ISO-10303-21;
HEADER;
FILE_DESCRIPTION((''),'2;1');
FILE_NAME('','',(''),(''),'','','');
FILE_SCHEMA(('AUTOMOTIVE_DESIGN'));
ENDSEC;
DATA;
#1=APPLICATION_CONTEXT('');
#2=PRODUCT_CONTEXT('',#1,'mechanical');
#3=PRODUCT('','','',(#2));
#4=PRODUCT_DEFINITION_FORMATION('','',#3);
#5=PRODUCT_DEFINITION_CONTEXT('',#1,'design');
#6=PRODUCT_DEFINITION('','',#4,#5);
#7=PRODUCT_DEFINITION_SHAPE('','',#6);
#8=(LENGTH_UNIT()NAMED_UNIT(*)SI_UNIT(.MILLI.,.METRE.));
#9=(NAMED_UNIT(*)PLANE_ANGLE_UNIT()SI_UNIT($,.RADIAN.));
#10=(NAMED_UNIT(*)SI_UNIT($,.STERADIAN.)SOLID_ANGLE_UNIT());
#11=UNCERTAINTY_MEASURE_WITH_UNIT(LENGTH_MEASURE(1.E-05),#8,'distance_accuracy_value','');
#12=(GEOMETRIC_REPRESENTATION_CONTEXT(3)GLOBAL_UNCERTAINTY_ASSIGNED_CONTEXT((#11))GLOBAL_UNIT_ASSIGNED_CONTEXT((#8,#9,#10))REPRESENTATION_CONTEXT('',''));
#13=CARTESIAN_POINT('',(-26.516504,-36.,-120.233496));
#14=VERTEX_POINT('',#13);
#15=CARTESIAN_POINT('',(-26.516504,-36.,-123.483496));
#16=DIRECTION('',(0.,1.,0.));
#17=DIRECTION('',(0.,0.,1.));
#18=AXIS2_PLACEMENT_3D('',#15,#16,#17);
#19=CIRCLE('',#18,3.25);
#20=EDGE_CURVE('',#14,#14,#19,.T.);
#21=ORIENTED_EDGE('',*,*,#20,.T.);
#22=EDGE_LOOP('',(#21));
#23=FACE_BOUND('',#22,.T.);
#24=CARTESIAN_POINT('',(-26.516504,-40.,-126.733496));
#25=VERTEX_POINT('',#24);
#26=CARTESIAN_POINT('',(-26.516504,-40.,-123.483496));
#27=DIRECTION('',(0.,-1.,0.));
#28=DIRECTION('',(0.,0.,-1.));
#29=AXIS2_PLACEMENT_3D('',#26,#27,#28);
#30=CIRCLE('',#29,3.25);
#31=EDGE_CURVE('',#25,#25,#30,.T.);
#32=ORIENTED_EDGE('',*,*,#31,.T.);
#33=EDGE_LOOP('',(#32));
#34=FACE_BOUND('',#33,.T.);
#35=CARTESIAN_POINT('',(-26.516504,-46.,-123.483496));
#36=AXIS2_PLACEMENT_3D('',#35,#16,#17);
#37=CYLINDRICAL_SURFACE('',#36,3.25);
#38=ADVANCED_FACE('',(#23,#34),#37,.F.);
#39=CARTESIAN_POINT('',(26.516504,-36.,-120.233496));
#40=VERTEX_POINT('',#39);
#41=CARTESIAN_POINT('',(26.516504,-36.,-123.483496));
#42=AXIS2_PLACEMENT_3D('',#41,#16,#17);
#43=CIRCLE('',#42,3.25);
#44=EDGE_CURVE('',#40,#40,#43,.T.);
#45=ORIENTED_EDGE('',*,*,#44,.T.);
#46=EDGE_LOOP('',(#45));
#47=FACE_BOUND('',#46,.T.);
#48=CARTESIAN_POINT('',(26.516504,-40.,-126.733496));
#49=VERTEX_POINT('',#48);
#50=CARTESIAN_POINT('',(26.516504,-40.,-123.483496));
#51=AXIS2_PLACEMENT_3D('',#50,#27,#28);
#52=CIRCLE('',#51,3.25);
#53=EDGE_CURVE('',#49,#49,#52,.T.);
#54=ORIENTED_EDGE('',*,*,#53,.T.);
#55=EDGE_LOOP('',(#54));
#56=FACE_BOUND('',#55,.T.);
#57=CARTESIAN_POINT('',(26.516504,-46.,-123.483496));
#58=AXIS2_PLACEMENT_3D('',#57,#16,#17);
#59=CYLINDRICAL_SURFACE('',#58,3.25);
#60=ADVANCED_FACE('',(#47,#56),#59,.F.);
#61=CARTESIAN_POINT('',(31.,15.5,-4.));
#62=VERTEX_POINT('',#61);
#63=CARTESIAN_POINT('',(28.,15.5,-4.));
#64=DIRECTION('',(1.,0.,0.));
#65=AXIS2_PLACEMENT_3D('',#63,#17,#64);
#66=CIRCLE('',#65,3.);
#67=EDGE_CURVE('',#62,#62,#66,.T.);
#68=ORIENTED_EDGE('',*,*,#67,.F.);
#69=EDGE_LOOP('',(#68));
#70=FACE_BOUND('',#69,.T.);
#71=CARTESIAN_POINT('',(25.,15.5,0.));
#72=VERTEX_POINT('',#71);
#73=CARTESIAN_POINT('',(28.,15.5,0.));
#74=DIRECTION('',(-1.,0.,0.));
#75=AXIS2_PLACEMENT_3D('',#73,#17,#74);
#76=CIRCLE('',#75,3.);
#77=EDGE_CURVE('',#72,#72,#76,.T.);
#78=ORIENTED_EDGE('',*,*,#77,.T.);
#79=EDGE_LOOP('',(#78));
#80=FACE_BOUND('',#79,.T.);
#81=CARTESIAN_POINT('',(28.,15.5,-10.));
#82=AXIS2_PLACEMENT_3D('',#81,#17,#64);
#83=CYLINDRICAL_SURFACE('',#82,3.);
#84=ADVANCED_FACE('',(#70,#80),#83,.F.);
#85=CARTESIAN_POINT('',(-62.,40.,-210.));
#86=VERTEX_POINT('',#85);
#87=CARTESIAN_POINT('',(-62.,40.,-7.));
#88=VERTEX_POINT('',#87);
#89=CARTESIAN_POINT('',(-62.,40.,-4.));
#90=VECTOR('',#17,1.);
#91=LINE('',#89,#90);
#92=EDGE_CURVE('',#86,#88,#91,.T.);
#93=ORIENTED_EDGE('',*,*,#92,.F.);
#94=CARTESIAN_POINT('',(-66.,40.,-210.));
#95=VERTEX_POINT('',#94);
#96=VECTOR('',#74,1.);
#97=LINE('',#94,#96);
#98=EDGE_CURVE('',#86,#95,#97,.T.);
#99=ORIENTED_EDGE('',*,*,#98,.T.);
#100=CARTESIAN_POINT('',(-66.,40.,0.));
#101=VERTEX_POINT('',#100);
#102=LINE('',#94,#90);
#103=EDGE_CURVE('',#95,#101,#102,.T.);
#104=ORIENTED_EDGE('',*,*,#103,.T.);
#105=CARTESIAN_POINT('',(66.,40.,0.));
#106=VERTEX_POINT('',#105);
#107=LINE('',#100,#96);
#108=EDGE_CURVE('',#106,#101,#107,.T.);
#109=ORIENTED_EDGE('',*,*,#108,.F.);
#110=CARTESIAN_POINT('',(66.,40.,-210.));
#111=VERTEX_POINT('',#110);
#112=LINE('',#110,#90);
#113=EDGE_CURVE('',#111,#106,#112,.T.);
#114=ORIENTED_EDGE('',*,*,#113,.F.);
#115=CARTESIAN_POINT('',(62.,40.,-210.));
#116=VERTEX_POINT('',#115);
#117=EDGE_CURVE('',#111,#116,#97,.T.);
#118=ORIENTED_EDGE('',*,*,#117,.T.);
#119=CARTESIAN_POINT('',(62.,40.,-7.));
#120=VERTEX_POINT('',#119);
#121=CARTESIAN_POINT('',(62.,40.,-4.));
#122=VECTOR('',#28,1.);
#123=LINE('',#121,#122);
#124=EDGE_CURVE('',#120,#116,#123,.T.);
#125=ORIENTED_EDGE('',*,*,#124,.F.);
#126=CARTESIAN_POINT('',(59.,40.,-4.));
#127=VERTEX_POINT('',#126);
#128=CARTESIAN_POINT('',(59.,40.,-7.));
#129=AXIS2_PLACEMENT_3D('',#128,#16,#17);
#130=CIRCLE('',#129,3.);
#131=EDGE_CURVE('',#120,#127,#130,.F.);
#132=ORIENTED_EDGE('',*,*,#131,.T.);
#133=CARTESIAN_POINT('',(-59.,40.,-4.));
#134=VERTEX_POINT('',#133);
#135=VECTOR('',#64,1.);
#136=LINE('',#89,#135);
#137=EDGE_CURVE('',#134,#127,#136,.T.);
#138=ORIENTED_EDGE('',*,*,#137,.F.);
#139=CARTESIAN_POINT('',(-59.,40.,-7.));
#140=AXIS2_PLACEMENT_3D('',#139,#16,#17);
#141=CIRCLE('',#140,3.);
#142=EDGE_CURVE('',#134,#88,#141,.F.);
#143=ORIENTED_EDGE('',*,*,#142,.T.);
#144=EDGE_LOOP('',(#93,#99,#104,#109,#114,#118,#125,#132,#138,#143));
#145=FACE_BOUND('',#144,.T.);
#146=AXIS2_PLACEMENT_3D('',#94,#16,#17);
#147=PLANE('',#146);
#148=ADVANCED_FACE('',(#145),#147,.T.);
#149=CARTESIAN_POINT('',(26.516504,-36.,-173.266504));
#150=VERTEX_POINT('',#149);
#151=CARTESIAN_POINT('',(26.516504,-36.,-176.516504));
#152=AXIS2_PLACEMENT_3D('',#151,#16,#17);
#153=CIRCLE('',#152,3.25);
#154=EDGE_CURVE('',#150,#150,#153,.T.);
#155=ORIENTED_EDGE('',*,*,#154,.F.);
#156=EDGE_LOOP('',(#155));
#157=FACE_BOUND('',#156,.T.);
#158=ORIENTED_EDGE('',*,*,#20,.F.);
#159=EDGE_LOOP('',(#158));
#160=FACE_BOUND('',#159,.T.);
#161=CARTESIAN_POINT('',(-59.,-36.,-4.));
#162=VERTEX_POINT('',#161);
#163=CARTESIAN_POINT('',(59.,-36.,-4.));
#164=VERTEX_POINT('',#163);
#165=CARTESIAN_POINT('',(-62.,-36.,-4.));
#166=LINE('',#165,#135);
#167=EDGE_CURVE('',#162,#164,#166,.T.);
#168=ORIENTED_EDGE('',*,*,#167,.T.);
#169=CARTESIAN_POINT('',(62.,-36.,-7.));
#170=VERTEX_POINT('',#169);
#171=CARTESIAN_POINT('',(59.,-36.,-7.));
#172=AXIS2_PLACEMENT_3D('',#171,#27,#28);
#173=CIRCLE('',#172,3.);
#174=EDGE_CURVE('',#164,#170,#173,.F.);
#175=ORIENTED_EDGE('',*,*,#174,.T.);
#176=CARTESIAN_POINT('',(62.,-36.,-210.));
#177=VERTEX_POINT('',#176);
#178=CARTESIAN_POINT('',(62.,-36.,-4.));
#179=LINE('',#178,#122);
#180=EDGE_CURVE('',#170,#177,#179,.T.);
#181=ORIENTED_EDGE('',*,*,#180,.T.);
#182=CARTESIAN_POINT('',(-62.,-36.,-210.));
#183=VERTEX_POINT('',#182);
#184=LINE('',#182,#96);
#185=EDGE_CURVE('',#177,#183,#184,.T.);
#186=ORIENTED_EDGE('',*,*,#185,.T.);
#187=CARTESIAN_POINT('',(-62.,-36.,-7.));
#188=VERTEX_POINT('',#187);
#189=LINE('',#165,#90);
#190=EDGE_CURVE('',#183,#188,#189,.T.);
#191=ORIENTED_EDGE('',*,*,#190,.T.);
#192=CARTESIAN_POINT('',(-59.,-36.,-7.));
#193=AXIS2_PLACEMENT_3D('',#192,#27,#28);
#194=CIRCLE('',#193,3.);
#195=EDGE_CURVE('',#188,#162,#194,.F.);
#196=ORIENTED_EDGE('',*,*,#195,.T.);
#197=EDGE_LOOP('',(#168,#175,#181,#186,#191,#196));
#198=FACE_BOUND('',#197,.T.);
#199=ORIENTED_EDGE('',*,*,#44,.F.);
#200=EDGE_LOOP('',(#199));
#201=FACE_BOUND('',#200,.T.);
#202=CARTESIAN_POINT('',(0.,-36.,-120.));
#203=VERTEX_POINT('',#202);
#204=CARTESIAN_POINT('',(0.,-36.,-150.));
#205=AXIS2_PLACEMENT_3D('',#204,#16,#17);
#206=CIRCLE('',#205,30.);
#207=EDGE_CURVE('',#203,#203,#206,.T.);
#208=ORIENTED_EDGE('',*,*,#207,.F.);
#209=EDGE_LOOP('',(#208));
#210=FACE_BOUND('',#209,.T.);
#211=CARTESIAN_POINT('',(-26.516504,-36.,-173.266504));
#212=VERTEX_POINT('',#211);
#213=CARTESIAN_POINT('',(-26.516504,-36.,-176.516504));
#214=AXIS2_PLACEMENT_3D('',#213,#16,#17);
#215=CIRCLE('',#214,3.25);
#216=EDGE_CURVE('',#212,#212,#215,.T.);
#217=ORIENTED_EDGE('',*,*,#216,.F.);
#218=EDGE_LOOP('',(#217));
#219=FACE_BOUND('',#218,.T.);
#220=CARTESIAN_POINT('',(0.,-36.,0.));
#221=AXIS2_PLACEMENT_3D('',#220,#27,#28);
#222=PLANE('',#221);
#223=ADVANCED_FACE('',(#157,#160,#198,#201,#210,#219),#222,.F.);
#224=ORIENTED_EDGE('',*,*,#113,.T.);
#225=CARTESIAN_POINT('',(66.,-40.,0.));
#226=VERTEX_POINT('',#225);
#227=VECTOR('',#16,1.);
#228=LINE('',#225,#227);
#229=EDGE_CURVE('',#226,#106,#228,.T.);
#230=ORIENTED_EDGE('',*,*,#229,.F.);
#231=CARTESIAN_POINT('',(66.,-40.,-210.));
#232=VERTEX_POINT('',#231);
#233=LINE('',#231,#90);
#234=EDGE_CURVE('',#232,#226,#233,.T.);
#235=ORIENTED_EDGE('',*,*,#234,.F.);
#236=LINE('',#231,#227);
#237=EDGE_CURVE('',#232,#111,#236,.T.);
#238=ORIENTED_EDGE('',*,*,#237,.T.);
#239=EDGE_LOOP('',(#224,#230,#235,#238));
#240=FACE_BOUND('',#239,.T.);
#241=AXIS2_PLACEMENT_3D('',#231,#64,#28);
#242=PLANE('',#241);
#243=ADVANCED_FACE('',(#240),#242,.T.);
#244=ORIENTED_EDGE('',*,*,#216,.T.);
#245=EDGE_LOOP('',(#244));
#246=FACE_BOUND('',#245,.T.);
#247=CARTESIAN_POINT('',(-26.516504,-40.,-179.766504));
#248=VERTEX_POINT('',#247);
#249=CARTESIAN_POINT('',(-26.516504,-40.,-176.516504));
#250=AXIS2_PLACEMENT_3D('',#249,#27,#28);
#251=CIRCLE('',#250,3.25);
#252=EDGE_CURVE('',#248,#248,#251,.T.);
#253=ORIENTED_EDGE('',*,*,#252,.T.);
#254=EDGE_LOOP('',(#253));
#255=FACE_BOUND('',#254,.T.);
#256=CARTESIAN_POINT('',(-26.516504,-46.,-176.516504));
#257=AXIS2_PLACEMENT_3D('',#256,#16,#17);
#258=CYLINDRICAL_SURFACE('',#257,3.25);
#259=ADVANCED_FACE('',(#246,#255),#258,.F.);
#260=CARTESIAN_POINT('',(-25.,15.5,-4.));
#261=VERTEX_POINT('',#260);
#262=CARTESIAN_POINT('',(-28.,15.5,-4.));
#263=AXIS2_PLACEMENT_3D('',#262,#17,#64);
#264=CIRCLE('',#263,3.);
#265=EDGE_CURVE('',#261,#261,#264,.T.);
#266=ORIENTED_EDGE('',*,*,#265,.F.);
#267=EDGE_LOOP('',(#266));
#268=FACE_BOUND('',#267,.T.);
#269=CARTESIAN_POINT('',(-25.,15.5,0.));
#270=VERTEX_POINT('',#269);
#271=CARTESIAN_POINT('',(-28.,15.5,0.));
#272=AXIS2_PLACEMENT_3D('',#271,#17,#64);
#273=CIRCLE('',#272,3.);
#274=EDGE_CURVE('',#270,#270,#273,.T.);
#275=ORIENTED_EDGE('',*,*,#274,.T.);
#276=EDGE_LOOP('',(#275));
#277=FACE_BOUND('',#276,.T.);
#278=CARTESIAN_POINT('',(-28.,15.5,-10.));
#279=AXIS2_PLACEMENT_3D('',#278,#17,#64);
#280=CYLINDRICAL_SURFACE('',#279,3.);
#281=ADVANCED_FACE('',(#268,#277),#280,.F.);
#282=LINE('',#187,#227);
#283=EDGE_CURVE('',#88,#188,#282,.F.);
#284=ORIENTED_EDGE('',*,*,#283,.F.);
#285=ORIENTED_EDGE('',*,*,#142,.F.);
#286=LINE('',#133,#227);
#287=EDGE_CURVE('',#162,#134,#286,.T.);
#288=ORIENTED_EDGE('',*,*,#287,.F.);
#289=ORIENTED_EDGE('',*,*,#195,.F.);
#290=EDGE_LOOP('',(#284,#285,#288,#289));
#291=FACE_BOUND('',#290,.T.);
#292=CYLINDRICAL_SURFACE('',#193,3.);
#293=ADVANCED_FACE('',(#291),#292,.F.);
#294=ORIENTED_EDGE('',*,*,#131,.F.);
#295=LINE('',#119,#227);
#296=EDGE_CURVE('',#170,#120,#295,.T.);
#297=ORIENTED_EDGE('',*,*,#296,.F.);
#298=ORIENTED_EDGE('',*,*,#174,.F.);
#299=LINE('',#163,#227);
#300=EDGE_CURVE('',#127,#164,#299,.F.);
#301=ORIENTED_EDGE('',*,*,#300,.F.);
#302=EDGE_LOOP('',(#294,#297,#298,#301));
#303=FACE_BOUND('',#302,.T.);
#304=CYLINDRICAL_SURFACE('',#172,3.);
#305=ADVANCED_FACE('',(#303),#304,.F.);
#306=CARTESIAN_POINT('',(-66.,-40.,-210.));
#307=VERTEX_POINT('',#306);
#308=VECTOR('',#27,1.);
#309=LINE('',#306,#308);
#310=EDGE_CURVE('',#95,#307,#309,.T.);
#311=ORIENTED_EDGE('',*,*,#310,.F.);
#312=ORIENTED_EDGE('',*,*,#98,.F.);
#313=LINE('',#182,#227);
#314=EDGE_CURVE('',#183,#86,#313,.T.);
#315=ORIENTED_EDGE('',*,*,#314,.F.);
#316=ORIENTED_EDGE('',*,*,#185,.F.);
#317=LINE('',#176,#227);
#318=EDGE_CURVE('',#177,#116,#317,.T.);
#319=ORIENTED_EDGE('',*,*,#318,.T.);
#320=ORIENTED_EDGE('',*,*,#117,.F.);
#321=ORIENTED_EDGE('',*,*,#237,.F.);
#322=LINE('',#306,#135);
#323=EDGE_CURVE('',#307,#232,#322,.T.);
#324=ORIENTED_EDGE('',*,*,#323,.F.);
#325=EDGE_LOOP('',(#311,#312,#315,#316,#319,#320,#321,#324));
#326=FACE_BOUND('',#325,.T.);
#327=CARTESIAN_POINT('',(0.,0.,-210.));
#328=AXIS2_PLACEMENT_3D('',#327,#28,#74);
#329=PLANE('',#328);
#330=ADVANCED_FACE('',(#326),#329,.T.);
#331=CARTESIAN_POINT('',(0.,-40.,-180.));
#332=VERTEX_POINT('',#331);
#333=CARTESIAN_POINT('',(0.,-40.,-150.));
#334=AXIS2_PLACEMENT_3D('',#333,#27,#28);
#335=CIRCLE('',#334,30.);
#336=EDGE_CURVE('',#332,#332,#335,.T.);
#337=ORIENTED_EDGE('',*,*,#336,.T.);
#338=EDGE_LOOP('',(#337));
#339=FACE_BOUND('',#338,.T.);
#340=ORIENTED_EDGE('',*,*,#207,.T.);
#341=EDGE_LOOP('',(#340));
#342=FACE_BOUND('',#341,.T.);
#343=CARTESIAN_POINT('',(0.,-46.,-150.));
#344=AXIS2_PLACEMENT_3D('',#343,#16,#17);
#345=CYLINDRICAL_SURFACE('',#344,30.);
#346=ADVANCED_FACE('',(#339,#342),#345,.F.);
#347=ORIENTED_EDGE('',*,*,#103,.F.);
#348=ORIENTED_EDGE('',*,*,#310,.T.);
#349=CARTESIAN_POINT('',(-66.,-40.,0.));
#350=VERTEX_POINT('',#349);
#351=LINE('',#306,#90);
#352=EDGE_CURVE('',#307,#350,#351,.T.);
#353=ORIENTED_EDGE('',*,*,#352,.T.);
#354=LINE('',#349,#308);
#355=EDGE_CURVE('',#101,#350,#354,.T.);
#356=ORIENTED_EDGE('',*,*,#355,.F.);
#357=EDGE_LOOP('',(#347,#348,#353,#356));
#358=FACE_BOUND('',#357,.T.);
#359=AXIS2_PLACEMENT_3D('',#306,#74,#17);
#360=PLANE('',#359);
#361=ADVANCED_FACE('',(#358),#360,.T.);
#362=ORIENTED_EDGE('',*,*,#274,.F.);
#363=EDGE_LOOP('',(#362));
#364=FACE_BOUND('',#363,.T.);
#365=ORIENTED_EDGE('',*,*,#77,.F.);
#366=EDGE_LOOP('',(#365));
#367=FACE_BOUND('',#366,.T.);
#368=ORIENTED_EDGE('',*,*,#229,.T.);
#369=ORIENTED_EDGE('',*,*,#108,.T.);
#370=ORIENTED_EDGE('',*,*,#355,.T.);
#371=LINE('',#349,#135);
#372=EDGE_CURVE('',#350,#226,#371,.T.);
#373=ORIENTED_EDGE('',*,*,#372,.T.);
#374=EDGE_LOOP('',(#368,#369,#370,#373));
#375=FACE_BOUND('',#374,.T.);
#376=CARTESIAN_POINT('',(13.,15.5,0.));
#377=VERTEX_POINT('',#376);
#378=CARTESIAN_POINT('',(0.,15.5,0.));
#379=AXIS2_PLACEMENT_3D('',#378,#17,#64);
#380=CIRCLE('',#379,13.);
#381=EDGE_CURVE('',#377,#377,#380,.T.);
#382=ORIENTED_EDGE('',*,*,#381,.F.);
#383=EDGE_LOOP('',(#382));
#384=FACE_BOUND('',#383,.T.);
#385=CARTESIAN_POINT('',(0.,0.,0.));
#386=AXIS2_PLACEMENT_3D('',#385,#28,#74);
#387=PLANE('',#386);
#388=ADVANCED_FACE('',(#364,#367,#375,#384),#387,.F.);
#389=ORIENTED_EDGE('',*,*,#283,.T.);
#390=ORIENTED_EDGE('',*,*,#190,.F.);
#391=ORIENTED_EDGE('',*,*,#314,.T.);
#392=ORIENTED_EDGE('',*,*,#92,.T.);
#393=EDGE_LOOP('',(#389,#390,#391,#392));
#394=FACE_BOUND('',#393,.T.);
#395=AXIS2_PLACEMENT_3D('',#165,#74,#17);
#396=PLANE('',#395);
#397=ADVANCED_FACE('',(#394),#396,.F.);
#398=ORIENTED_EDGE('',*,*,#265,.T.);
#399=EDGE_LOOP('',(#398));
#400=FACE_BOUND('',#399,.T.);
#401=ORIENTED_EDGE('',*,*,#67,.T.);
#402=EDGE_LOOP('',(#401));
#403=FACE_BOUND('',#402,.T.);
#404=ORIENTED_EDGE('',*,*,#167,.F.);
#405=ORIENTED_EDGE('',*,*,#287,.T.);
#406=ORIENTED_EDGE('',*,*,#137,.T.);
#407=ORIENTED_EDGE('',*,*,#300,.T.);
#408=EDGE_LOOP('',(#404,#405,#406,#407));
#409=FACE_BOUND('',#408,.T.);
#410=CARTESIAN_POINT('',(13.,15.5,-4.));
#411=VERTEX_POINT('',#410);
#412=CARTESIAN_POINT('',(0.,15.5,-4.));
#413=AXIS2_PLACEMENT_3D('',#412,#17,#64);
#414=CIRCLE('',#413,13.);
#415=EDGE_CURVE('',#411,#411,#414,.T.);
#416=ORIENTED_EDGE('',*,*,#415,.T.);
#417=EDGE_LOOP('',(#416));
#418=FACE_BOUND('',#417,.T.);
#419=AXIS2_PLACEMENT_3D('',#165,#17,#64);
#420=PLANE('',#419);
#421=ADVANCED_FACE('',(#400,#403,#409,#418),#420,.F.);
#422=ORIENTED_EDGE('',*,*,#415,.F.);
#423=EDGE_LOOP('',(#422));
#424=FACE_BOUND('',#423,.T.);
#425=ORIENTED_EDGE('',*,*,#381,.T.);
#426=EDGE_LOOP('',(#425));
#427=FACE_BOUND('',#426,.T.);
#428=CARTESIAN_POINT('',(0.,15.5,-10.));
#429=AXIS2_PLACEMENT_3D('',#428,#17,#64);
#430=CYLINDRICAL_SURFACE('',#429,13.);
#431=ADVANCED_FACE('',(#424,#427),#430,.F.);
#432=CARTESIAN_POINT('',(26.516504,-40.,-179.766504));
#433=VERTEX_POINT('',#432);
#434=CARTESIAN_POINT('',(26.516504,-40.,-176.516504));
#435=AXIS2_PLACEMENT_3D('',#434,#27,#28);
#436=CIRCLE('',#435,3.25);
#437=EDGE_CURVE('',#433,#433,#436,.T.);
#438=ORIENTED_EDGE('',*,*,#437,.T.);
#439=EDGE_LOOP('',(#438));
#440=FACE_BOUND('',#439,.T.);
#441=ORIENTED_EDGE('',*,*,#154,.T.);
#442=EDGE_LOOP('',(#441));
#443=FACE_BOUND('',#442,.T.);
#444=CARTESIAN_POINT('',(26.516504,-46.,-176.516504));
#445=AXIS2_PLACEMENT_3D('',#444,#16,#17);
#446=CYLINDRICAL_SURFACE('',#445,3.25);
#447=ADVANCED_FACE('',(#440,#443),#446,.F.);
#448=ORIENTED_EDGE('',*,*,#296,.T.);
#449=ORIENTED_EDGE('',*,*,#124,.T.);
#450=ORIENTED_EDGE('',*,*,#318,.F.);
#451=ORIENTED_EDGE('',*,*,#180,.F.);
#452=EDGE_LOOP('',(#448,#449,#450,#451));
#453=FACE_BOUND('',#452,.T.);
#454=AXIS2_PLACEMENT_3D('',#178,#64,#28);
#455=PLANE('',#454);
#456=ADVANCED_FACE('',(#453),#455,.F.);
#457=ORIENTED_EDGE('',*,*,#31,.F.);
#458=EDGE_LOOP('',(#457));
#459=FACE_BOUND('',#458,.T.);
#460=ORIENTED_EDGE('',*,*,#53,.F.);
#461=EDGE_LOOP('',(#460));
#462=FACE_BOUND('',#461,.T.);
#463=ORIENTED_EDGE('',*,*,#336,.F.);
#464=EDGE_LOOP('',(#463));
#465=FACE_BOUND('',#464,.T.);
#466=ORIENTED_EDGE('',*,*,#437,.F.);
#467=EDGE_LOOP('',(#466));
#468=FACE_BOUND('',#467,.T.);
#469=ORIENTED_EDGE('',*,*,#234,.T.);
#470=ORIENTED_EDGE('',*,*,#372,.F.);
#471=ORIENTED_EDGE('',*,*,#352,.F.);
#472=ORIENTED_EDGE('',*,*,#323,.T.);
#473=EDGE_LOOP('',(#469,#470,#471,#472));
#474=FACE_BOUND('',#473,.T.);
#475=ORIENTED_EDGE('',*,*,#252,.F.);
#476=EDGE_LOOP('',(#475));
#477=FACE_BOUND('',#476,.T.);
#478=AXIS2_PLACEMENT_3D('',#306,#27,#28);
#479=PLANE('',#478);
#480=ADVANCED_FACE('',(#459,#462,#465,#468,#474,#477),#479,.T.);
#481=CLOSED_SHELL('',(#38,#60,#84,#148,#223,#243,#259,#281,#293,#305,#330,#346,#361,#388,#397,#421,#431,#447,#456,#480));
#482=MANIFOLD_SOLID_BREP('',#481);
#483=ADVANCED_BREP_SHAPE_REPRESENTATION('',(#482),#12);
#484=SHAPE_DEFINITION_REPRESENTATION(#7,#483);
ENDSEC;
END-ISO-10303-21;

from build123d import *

# Parameters (mm, degrees)
SKETCH_1_W          = 132
SKETCH_1_H          = 80
EXTRUDE_1_DEPTH     = 210
SKETCH_2_W          = 124
SKETCH_2_H          = 206
CUT_EXTRUDE_1_DEPTH = 76
SKETCH_3_R          = 13
SKETCH_3_R_2        = 3
CUT_EXTRUDE_2_DEPTH = 10
SKETCH_4_R          = 3.25
SKETCH_4_R_2        = 30
CUT_EXTRUDE_3_DEPTH = 10
FILLET_1_R          = 3


with BuildPart() as part:
    # 草图1 → 凸台-拉伸1 (new body)
    with BuildSketch(Plane.XY):
        Rectangle(SKETCH_1_W, SKETCH_1_H)
    extrude(amount=-EXTRUDE_1_DEPTH)

    # 草图2 → 切除-拉伸1 (cut)
    with BuildSketch(Plane(origin=(0, 40, 0), x_dir=(1, 0, 0), z_dir=(0, 1, 0))):
        with Locations((0, 107)):
            Rectangle(SKETCH_2_W, SKETCH_2_H)
    extrude(amount=-CUT_EXTRUDE_1_DEPTH, mode=Mode.SUBTRACT)

    # 草图3 → 切除-拉伸2 (cut)
    with BuildSketch(Plane.XY):
        with Locations((0, 15.5)):
            Circle(SKETCH_3_R)
        with Locations((-28, 15.5)):
            Circle(SKETCH_3_R_2)
        with Locations((28, 15.5)):
            Circle(SKETCH_3_R_2)
    extrude(amount=-CUT_EXTRUDE_2_DEPTH, mode=Mode.SUBTRACT)

    # 草图4 → 切除-拉伸3 (cut)
    with BuildSketch(Plane(origin=(0, -36, 0), x_dir=(1, 0, 0), z_dir=(0, 1, 0))):
        with Locations((26.516504294, 176.516504294)):
            Circle(SKETCH_4_R)
        with Locations((26.516504294, 123.483495706)):
            Circle(SKETCH_4_R)
        with Locations((-26.516504294, 123.483495706)):
            Circle(SKETCH_4_R)
        with Locations((-26.516504294, 176.516504294)):
            Circle(SKETCH_4_R)
        with Locations((0, 150)):
            Circle(SKETCH_4_R_2)
    extrude(amount=-CUT_EXTRUDE_3_DEPTH, mode=Mode.SUBTRACT)

    # 圆角1
    fillet_1_edges = [part.edges().sort_by_distance(p)[0] for p in [
        (-62, 2, -4),
        (62, 2, -4),
    ]]
    fillet(fillet_1_edges, radius=FILLET_1_R)


solid = part.part
